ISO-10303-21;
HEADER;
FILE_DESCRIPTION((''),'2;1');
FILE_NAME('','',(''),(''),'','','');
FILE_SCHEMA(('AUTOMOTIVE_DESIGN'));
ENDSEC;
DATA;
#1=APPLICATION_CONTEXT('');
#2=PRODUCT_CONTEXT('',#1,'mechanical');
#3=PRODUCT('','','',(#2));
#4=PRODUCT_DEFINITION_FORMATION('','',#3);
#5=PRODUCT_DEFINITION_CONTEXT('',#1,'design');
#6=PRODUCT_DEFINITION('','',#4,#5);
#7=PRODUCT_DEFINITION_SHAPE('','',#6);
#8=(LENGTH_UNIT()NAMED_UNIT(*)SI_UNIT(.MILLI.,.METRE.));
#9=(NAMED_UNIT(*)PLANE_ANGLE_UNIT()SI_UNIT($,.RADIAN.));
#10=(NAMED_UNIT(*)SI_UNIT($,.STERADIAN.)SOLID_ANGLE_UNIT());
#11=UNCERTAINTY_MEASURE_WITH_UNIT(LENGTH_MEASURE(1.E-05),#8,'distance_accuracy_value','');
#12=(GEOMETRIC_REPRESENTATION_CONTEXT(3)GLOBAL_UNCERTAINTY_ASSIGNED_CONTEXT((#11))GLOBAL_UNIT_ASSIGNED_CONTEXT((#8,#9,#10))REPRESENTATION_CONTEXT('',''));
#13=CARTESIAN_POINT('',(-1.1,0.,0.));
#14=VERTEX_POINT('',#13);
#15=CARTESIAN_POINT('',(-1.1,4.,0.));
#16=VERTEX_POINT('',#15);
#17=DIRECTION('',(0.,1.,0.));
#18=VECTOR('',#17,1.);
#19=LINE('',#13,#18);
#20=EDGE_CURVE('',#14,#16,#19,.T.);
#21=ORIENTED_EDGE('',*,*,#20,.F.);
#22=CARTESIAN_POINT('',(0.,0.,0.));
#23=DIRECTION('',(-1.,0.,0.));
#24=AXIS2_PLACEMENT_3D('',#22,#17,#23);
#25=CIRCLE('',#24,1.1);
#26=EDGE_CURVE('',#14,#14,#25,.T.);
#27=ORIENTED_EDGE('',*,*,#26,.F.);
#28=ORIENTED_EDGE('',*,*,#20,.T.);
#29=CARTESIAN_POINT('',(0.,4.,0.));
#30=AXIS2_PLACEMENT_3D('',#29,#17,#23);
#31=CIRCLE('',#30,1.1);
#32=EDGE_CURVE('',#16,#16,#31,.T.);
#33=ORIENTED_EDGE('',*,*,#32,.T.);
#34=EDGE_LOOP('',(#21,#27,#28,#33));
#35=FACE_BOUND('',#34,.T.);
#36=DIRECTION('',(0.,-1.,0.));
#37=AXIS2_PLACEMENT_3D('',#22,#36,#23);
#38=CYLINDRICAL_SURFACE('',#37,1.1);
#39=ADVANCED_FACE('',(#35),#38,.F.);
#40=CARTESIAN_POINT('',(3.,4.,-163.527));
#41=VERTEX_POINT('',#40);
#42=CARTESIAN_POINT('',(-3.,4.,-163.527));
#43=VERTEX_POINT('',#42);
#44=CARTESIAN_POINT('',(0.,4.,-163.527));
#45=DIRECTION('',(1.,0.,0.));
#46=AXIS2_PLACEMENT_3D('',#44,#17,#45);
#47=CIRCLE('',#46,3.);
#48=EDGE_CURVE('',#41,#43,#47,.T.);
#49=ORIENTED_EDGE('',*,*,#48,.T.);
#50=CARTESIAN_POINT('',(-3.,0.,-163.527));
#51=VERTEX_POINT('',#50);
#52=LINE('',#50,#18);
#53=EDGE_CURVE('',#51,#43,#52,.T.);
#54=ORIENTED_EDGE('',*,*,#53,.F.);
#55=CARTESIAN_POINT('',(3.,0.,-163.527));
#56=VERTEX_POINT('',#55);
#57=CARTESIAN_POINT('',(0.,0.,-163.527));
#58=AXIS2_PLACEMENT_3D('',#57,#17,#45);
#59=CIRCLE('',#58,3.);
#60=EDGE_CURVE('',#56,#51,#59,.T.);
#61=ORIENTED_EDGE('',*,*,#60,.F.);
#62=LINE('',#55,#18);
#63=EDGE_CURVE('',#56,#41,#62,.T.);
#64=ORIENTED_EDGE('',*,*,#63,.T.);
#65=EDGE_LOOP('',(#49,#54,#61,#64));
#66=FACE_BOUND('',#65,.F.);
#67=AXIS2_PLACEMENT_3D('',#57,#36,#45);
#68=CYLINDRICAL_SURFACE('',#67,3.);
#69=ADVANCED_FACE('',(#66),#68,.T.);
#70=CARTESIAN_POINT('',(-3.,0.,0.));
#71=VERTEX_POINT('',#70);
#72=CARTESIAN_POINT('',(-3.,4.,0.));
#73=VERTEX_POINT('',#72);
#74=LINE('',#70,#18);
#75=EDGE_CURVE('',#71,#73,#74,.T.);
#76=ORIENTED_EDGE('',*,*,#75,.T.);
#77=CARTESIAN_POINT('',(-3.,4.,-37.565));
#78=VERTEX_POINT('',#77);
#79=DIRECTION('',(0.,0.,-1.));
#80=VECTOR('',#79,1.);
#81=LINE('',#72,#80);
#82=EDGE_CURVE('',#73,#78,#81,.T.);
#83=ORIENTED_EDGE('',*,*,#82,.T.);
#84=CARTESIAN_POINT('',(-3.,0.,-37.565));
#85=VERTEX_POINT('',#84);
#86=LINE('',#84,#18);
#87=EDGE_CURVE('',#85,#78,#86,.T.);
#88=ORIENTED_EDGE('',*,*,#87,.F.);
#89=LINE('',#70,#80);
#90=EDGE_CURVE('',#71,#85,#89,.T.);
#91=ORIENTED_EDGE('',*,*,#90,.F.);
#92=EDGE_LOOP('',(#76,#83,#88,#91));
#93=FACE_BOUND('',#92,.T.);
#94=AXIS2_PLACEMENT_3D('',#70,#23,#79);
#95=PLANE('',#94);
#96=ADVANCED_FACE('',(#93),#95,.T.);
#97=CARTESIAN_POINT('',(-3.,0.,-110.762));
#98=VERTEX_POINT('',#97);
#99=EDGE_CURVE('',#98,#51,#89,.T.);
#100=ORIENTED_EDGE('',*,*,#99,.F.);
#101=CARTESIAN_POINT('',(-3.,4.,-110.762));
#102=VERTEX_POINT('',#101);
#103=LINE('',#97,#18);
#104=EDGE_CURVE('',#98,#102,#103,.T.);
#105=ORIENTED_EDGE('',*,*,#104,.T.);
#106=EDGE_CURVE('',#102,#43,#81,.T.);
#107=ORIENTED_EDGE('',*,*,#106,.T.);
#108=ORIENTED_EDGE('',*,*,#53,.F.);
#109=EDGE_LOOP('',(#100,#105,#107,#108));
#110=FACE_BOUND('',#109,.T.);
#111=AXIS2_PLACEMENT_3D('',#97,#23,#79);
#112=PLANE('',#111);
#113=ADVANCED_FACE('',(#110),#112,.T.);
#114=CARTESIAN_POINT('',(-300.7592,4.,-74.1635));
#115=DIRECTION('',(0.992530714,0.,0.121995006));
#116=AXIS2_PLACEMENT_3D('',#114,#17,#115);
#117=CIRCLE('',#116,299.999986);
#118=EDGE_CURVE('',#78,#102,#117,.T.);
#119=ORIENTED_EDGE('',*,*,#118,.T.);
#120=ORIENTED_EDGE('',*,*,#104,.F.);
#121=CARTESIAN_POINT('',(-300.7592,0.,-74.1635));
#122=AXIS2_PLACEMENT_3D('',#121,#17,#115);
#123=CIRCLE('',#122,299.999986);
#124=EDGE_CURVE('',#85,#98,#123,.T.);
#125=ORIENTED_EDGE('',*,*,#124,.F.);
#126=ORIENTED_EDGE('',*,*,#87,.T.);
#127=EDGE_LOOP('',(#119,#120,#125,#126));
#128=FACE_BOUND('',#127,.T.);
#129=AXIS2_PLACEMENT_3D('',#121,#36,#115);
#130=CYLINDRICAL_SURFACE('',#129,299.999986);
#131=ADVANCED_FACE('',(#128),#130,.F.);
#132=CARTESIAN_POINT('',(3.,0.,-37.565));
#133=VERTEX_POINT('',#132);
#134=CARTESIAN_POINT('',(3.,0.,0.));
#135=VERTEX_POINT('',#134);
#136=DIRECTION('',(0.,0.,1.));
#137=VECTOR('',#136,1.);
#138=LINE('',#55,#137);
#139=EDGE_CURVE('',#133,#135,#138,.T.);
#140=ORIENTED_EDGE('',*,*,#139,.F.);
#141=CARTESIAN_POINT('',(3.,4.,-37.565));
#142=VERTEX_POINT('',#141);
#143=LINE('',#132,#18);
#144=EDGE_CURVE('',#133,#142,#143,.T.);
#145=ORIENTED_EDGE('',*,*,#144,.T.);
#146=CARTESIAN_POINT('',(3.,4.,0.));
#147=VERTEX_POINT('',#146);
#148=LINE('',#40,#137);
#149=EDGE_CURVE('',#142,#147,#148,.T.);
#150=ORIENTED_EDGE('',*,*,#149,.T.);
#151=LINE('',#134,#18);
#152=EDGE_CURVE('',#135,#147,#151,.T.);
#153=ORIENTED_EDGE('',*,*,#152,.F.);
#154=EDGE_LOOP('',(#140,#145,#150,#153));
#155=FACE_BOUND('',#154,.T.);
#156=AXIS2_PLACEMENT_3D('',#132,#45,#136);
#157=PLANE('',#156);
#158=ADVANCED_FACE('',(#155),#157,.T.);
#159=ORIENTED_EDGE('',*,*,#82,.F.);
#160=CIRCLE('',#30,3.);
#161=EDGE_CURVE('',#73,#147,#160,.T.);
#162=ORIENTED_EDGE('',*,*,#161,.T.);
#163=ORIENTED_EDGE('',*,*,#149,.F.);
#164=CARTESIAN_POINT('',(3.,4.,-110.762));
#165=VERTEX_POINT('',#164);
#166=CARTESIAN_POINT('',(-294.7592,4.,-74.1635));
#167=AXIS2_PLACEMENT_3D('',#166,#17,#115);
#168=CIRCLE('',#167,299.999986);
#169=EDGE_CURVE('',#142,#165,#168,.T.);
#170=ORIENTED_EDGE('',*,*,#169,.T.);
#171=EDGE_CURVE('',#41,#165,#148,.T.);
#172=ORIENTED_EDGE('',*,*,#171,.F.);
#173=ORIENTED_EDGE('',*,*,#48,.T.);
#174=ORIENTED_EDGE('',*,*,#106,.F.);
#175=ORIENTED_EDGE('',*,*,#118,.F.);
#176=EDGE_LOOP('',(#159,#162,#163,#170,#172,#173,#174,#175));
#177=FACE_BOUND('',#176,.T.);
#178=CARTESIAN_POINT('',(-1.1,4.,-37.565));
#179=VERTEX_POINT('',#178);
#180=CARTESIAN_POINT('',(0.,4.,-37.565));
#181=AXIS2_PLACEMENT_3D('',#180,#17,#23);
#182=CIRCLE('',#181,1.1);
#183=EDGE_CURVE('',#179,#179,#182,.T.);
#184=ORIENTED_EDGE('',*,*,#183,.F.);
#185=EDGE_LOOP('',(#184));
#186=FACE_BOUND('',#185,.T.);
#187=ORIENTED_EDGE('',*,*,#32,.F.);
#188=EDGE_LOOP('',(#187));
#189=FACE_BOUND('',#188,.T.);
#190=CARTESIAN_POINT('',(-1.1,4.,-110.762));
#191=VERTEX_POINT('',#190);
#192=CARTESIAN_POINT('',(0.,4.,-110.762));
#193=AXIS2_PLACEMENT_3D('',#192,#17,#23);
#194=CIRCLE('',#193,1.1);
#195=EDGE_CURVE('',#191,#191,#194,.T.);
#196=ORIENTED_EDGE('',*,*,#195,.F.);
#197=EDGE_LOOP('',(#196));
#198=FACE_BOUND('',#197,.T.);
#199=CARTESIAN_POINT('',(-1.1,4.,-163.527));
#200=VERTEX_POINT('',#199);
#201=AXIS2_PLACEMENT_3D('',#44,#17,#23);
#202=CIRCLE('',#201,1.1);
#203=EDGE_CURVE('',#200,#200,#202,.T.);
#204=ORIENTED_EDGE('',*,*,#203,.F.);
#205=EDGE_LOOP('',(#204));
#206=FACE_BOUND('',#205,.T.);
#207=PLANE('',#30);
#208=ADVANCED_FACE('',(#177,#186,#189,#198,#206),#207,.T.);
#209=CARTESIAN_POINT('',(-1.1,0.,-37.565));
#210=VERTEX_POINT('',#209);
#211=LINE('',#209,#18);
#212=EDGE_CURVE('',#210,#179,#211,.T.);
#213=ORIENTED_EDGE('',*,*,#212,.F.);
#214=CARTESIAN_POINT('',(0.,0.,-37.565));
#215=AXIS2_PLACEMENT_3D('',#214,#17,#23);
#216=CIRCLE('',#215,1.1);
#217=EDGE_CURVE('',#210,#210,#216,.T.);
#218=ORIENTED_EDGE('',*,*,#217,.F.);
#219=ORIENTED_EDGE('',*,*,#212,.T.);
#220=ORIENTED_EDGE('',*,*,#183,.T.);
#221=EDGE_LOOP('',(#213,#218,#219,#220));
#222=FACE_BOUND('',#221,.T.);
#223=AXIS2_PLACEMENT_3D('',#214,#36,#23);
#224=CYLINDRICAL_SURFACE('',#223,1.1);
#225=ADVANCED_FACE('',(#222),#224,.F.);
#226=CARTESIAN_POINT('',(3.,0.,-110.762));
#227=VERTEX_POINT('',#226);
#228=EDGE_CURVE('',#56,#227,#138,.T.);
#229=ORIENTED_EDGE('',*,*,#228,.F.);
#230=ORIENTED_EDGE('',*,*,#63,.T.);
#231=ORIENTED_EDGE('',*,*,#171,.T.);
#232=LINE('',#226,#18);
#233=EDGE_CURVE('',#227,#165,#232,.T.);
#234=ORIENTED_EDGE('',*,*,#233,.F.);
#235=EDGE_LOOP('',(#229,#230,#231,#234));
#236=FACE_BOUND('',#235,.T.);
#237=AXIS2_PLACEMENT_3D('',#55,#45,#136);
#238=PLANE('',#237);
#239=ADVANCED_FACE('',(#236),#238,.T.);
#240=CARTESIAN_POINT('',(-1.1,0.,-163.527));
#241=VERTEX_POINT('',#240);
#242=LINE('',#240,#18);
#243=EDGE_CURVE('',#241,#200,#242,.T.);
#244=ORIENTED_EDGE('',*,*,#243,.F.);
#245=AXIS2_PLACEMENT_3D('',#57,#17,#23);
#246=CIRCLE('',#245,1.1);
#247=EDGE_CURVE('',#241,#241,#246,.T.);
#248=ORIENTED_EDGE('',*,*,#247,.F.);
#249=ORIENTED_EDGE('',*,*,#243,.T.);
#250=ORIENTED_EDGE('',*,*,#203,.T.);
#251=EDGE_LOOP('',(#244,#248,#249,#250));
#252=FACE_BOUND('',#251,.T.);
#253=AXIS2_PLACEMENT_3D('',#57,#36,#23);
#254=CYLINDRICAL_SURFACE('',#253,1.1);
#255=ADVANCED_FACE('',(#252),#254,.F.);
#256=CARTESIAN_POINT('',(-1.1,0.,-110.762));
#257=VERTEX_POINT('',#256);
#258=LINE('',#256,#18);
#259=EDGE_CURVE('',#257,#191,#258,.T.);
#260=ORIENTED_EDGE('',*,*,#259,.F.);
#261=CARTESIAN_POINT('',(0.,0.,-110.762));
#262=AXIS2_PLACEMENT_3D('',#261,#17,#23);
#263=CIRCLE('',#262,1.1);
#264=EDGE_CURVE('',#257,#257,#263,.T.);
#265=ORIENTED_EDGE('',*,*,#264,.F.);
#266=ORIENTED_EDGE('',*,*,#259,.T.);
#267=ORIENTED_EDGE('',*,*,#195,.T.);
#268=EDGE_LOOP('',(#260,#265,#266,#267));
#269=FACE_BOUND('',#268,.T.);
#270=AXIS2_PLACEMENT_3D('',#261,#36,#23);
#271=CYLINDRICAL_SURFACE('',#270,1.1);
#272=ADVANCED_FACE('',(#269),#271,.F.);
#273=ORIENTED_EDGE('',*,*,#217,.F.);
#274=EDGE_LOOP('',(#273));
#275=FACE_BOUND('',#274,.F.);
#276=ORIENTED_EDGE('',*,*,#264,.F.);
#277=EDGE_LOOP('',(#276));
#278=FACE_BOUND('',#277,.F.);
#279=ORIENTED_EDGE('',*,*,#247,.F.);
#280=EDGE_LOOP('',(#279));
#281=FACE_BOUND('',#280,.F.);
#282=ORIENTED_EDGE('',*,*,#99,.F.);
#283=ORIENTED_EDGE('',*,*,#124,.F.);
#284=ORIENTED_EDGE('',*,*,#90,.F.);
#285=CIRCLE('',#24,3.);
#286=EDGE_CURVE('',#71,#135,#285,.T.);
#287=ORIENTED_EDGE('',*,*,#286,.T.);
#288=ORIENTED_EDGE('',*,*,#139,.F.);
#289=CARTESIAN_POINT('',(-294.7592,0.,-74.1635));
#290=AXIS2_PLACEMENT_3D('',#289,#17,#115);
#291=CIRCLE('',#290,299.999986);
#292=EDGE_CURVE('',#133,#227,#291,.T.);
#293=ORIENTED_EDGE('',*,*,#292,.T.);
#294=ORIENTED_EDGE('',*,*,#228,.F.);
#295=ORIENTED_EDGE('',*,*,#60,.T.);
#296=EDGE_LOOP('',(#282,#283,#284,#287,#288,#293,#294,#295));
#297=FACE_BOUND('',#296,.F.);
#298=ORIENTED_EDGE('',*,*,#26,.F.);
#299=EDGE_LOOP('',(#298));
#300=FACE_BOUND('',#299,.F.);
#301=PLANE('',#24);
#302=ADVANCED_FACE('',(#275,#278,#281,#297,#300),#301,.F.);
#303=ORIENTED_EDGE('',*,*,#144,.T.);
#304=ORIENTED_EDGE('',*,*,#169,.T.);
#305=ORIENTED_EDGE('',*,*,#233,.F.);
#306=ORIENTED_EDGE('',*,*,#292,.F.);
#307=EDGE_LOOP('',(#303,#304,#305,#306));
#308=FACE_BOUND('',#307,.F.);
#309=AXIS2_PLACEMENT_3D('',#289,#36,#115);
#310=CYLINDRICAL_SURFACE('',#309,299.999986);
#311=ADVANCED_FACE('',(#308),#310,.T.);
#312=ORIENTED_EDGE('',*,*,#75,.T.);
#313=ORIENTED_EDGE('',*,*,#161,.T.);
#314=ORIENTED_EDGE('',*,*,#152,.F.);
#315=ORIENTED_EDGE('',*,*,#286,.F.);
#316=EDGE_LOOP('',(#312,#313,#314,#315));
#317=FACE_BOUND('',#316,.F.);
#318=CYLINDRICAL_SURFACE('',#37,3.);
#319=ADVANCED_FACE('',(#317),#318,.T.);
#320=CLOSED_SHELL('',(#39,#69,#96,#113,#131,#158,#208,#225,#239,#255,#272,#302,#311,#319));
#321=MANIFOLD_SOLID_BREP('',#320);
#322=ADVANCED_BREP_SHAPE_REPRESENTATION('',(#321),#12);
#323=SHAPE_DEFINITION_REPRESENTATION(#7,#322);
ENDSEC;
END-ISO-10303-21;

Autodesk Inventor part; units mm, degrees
ref_plane "YZ Plane" through (0, 0, 0) normal (1, 0, 0) x (0, 1, 0)
ref_plane "XZ Plane" through (0, 0, 0) normal (0, 1, 0) x (-1, 0, 0)
ref_plane "XY Plane" through (0, 0, 0) normal (0, 0, 1) x (1, 0, 0)
sketch "Sketch1" plane through (0, 0, 0) normal (0, 1, 0) x (-1, 0, 0)
  line L0 (0, 0) -> (0, -163.527) construction
  line L1 (3, 0) -> (3, -163.527)
  line L2 (-3, -163.527) -> (-3, 0)
  arc A0 (3, 0) -> (-3, 0) centre (0, 0) ccw
  arc A1 (-3, -163.527) -> (3, -163.527) centre (0, -163.527) ccw
  circle A2 centre (0, 0) radius 1.1
  circle A3 centre (0, -163.527) radius 1.1
  circle A4 centre (0, -37.565) radius 1.1
  circle A5 centre (0, -110.762) radius 1.1
  arc A6 (3, -37.565) -> (3, -110.762) centre (300.7592, -74.1635) ccw
  arc A7 (-3, -37.565) -> (-3, -110.762) centre (294.7592, -74.1635) ccw
  point P0 (0, -81.7635)
  dimension "d0" = 2.2
  dimension "d1" = 2.2
  dimension "d2" = 6
  dimension "d3" = 163.527
  dimension "d4" = 2.2
  dimension "d5" = 37.565
  dimension "d8" = 2.2
  dimension "d9" = 110.762
  dimension "d10" = 300
  dimension "d11" = 300
extrude "Extrusion1" add sketch "Sketch1" along normal blind 4 contours L1 A6 A1 L2 A0 | L2 A7
